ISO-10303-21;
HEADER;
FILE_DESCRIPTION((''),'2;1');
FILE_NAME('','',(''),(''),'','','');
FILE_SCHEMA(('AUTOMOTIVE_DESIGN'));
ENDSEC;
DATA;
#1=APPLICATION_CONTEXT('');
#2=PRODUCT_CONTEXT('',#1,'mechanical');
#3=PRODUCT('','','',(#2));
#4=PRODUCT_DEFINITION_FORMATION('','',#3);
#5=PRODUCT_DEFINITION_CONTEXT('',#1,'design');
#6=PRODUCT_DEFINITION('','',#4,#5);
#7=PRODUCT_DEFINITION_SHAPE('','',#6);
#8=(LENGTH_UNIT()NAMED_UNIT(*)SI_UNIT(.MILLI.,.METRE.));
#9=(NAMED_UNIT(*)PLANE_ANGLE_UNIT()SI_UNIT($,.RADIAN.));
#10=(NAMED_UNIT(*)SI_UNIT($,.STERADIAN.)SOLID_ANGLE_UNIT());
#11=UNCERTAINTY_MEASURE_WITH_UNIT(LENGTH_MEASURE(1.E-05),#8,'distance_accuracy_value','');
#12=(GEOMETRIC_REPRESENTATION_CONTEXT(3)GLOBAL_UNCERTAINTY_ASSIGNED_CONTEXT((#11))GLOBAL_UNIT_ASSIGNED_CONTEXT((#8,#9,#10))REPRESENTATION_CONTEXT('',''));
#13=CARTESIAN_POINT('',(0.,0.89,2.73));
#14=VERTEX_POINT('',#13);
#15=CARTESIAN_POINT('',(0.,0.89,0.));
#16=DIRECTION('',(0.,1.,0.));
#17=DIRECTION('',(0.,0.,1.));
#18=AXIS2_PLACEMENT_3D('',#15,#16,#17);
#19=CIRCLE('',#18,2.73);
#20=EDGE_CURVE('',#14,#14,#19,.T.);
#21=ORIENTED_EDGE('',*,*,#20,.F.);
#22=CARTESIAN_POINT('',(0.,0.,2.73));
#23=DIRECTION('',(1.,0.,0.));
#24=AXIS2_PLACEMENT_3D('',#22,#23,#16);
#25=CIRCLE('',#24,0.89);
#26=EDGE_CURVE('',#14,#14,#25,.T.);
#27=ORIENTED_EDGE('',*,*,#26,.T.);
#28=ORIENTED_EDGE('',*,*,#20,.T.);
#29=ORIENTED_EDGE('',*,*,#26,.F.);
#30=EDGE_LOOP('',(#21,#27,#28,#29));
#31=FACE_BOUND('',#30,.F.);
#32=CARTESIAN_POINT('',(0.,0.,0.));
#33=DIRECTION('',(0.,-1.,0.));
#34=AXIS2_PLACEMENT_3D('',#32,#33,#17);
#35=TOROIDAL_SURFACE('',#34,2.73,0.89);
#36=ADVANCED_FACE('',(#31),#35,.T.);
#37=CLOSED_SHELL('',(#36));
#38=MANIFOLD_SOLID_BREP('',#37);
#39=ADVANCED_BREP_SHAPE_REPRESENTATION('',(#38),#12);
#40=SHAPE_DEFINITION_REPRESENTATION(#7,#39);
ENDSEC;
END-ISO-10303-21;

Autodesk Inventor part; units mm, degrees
ref_plane "YZ Plane" through (0, 0, 0) normal (1, 0, 0) x (0, 1, 0)
ref_plane "XZ Plane" through (0, 0, 0) normal (0, 1, 0) x (-1, 0, 0)
ref_plane "XY Plane" through (0, 0, 0) normal (0, 0, 1) x (1, 0, 0)
sketch "Sketch1" plane through (0, 0, 0) normal (1, 0, 0) x (0, 1, 0)
  circle A0 centre (0, 2.73) radius 0.89
  line L0 (0, 0) -> (3.8529, 0)
  dimension "d0" = 1.78
  dimension "d1" = 2.73
revolve "Revolution1" add sketch "Sketch1" angle 360 about axis through (0, 0, 0) along (0, 1, 0)
properties part number "Oring 2-007" material "Rubber"
